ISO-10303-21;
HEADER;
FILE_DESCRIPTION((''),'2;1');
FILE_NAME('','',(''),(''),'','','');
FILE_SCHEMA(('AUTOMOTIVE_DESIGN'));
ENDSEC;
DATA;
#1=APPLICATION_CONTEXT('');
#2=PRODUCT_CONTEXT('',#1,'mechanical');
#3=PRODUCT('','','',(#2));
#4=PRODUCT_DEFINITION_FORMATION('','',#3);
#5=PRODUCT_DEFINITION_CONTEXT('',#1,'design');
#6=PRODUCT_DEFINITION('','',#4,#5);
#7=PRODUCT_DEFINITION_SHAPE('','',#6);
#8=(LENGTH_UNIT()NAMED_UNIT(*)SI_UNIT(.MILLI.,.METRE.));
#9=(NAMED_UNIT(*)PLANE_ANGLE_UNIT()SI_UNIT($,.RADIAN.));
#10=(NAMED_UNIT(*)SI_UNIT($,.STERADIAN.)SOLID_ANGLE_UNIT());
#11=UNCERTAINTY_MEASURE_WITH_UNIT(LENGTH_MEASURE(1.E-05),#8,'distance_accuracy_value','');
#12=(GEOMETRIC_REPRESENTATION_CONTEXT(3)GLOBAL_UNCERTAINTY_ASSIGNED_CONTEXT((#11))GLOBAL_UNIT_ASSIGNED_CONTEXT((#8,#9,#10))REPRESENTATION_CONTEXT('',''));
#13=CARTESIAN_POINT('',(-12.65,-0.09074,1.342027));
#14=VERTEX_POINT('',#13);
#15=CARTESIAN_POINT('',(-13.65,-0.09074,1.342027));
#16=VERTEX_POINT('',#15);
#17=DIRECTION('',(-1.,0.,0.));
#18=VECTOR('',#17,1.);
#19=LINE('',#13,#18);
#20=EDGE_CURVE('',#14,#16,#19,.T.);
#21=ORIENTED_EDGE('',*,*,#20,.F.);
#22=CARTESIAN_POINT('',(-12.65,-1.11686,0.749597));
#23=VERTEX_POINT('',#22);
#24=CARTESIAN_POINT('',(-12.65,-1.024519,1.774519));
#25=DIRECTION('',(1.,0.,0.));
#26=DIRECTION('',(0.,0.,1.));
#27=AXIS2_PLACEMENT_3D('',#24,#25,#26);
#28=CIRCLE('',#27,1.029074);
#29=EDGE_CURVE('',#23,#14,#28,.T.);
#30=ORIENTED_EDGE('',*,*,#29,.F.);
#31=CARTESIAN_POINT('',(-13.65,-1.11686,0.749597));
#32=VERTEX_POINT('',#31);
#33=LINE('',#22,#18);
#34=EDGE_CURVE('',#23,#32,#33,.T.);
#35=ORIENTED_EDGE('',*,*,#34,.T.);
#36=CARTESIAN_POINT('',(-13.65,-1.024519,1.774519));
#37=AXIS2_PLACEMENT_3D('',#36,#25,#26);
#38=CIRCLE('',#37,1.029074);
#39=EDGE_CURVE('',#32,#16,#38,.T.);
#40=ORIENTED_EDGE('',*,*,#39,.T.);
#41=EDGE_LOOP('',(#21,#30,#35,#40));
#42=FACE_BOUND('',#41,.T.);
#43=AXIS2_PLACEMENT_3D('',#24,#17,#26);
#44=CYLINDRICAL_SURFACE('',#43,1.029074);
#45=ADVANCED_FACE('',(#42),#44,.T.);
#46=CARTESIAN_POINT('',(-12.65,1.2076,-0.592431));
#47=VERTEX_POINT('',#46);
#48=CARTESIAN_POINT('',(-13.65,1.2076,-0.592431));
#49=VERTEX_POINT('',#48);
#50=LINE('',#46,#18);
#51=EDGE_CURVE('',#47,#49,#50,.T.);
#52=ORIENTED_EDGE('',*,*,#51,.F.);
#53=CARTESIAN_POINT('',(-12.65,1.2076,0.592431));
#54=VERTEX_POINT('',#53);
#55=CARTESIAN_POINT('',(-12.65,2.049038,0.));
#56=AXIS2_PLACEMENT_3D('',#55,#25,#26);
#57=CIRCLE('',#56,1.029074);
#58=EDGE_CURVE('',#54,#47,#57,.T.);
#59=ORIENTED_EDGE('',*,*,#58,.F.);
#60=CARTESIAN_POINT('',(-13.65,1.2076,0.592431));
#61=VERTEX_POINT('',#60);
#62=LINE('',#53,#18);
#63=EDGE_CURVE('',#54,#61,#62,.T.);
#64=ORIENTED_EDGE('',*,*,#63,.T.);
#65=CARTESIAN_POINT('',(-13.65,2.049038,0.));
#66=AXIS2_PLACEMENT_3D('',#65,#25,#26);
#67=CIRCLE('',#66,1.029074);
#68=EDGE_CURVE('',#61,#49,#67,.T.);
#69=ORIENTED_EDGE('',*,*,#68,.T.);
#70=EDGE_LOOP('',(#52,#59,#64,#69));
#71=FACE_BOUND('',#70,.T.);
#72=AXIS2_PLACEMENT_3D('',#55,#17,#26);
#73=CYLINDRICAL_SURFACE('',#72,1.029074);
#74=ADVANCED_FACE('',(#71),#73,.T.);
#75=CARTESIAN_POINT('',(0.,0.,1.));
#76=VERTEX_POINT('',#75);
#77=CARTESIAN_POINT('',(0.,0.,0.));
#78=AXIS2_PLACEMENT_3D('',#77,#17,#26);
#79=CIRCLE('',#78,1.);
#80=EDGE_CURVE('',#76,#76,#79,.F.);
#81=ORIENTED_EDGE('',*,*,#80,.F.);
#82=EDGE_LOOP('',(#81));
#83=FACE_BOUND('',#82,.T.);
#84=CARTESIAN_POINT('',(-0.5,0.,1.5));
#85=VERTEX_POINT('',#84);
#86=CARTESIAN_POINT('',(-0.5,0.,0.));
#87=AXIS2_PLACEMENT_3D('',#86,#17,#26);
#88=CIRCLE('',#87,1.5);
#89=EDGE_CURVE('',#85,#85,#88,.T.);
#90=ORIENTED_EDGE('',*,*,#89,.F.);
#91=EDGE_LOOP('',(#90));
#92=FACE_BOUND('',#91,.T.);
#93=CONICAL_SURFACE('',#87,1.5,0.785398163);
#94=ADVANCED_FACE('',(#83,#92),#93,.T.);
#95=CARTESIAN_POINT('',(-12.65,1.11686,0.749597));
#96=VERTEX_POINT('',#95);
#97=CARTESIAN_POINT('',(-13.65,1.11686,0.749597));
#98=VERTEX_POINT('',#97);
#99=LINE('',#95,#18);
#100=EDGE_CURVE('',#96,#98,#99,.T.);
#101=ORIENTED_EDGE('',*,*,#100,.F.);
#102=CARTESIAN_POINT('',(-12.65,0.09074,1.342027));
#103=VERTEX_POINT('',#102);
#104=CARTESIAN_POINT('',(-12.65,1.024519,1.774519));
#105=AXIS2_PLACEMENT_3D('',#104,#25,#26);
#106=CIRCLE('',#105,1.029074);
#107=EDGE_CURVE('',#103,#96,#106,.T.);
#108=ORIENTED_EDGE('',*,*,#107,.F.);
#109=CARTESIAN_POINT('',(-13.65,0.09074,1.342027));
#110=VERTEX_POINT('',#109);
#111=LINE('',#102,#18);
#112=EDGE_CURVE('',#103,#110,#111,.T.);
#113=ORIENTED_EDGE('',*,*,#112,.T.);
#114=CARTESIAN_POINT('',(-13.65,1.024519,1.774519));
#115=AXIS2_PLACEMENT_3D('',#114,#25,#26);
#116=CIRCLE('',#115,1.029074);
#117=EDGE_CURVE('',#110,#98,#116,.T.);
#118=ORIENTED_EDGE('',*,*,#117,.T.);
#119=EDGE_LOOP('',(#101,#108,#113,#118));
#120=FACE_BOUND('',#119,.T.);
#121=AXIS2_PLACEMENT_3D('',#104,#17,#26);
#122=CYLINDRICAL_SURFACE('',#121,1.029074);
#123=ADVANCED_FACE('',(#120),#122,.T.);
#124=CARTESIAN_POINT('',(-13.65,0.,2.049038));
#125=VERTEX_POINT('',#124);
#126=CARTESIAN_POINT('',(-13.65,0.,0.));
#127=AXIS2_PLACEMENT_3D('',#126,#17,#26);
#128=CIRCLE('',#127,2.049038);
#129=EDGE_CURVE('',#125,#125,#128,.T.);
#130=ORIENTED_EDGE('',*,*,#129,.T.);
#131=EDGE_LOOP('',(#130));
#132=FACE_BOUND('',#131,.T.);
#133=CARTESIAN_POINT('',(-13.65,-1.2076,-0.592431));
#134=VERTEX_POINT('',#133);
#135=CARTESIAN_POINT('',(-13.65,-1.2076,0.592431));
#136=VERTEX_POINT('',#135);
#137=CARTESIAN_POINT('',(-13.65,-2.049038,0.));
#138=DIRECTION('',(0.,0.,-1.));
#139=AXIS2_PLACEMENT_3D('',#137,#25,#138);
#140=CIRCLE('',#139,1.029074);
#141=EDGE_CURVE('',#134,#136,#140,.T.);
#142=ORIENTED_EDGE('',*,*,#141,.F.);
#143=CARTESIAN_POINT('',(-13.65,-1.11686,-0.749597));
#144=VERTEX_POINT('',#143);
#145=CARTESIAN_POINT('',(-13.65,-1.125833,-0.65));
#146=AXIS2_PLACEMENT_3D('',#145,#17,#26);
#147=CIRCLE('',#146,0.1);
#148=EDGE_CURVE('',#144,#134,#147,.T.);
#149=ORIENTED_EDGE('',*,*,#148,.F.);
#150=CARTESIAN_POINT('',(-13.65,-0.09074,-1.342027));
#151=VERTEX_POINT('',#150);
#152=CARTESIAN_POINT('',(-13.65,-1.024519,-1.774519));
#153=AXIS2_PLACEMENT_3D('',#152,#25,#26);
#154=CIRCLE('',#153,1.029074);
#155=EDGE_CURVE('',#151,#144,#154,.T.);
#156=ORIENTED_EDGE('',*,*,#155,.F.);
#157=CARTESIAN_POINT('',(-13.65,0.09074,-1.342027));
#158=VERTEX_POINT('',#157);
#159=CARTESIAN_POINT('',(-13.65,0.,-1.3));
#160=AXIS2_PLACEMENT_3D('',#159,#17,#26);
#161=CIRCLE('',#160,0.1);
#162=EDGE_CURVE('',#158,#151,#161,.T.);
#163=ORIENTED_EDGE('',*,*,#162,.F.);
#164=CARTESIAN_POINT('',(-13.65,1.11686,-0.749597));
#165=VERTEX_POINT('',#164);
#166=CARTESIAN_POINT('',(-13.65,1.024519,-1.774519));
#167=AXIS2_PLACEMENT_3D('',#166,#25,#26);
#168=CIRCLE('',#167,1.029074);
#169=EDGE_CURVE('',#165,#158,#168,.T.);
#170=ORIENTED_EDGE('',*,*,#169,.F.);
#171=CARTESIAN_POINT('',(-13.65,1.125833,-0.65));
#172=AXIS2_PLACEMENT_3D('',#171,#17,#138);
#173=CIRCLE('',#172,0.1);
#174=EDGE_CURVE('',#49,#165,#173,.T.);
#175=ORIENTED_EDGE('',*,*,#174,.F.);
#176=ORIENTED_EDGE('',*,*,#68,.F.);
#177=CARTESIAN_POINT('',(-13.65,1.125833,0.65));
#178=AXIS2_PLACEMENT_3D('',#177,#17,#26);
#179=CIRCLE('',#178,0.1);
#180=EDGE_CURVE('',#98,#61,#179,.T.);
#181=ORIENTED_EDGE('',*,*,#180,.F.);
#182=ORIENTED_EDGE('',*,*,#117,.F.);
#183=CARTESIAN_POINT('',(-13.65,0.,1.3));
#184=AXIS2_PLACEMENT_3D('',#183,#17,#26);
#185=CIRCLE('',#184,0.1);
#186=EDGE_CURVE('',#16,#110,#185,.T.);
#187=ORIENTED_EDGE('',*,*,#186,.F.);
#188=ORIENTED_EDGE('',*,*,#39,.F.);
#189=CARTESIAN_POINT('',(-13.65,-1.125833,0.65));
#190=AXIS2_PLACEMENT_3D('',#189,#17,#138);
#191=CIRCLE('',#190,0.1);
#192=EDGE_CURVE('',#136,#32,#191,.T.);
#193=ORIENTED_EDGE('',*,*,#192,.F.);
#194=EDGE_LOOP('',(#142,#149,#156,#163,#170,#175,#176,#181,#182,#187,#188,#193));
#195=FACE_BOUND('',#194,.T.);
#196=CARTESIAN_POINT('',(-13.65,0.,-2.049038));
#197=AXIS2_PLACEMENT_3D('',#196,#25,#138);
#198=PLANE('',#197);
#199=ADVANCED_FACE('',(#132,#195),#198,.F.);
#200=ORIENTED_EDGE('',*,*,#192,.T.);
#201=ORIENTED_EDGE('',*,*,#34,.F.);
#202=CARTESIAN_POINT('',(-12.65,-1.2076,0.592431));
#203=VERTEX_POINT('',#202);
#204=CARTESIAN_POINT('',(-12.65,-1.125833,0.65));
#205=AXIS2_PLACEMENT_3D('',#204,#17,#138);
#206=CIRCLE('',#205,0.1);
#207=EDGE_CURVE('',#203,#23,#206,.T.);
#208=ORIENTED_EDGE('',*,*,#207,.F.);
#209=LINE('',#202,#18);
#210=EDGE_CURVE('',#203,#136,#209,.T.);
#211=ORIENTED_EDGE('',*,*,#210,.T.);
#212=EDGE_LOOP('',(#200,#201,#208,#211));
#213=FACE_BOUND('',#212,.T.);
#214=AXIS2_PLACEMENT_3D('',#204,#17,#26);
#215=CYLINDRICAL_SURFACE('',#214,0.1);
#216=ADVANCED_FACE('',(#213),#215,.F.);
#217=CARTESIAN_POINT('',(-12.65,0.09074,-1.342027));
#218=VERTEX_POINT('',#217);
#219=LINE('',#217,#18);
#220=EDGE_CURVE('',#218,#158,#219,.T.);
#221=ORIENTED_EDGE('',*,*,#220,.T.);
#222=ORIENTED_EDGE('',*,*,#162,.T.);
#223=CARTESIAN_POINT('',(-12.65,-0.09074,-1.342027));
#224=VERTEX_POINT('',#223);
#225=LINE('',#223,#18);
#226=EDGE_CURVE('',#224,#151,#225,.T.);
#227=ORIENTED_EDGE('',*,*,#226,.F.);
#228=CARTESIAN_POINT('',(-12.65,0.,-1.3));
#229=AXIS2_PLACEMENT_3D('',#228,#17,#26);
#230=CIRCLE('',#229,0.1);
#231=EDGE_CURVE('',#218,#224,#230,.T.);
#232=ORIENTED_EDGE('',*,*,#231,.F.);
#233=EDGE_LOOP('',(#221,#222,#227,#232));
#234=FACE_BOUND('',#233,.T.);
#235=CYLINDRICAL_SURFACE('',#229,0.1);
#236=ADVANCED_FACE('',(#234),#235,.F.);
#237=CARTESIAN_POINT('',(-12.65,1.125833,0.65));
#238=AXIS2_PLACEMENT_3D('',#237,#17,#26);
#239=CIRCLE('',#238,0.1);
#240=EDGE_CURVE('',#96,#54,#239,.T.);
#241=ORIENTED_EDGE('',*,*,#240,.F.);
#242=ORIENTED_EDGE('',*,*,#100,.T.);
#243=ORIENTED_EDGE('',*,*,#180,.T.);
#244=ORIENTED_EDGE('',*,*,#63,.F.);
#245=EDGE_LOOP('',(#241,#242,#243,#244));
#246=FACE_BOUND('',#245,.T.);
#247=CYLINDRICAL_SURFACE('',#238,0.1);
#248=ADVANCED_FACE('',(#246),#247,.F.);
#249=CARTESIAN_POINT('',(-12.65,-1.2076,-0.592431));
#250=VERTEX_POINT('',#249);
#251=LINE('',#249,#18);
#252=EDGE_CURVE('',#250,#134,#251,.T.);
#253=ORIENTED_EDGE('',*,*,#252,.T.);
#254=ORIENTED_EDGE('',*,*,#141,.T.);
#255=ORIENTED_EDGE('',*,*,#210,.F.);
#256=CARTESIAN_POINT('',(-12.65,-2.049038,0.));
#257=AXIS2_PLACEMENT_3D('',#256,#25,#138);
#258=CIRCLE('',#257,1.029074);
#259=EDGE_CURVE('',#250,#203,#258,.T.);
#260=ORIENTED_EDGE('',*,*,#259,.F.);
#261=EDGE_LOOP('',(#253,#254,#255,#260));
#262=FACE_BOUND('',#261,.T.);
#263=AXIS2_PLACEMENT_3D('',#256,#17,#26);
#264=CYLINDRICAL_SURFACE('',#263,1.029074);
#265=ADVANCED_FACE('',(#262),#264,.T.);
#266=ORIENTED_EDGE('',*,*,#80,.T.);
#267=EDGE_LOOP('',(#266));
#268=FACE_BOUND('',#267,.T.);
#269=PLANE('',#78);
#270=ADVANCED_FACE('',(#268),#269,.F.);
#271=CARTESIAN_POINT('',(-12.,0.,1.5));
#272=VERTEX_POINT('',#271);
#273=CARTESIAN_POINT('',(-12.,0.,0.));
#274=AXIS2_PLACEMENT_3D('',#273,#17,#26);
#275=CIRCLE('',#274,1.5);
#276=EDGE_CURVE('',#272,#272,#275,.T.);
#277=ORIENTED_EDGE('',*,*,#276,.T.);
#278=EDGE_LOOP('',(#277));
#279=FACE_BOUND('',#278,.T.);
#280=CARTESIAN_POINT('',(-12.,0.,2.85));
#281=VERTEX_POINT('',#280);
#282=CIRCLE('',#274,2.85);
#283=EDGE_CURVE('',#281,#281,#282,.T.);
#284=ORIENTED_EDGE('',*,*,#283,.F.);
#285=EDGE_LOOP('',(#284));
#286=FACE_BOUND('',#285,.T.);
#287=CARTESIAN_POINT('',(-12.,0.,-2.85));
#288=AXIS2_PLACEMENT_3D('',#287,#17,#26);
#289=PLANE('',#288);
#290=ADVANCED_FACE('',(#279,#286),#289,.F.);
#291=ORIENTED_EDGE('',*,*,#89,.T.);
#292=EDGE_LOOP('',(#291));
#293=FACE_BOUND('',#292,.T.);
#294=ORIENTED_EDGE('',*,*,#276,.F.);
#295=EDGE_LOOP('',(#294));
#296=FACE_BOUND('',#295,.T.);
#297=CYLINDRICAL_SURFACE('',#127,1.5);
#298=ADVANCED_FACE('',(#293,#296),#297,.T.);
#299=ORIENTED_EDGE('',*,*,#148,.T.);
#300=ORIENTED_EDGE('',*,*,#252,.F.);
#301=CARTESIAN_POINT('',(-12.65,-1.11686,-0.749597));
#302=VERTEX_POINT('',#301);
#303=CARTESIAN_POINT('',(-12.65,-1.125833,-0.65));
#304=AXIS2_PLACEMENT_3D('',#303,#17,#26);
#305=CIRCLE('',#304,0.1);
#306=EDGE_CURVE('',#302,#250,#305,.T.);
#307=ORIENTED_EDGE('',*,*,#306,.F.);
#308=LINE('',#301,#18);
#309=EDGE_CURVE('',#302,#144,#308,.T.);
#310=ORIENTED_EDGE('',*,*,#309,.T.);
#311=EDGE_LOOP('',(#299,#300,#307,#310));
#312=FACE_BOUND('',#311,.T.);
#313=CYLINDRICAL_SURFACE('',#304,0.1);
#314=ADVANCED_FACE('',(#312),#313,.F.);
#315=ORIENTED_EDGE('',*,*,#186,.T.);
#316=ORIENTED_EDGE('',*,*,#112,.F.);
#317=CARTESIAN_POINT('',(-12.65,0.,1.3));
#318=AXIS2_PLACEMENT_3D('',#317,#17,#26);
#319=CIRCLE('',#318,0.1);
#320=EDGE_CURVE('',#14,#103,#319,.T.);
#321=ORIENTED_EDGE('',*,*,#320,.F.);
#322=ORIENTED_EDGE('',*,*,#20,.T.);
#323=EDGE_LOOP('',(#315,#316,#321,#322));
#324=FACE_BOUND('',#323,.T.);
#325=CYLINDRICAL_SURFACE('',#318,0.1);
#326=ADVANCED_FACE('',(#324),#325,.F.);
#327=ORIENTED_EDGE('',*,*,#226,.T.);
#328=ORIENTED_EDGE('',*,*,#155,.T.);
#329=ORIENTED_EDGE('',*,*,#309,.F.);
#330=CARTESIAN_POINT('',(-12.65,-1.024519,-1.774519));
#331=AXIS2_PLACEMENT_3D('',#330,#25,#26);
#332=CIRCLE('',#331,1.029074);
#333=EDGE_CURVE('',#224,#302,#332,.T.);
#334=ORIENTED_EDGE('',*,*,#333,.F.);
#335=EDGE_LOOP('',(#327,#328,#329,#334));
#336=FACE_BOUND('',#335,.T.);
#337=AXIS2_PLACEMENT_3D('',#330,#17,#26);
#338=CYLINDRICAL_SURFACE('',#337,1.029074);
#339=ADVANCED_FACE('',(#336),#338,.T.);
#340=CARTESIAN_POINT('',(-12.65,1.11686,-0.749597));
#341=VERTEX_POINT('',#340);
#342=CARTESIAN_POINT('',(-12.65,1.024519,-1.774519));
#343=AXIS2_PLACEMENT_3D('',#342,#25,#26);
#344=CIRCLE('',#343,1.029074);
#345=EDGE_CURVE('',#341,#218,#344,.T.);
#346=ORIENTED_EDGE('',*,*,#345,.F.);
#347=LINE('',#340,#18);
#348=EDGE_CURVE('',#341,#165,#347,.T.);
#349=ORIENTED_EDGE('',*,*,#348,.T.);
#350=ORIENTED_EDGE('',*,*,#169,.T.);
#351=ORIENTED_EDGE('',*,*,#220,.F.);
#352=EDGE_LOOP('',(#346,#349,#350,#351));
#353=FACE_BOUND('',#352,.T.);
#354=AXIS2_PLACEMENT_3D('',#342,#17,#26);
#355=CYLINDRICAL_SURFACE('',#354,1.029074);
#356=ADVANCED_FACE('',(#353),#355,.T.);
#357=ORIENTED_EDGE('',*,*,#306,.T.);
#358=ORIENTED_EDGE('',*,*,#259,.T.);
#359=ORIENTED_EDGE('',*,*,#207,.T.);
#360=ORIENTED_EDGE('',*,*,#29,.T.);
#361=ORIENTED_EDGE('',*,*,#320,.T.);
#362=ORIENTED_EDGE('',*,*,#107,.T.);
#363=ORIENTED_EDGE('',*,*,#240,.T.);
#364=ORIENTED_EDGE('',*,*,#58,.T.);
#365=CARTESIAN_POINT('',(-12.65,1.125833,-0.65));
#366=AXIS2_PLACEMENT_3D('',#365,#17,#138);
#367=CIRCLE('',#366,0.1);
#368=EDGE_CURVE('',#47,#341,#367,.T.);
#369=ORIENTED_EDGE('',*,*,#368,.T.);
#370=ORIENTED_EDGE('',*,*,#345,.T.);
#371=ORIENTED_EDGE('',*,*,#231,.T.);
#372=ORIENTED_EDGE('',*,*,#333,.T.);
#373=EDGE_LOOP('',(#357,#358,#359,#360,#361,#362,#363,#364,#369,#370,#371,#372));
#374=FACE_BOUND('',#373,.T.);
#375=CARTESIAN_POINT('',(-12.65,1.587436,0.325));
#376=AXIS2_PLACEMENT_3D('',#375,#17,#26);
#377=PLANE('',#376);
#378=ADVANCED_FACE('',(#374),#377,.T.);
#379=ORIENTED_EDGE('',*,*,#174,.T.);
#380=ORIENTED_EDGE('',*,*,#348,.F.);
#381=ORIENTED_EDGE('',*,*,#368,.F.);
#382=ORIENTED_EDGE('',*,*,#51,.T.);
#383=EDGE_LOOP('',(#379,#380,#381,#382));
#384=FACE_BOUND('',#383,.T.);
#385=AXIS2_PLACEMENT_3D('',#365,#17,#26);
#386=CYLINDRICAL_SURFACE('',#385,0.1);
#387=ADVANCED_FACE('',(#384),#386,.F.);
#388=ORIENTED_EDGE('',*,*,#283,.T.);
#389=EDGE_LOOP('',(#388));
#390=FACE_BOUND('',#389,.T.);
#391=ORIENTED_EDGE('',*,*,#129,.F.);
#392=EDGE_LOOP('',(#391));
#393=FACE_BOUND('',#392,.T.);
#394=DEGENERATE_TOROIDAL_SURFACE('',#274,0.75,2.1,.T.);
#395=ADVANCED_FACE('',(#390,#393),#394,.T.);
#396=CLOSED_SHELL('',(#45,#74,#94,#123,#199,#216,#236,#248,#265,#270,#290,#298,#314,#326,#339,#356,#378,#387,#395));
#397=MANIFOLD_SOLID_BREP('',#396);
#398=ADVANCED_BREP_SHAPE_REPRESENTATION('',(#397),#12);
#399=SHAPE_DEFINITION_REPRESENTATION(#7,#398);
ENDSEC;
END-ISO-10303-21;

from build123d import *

# Parameters (mm, degrees)
CHAMFER1_SIZE      = 0.5
CUT_EXTRUDE1_DEPTH = 1


with BuildPart() as part:
    # Sketch2 → Revolve1 (revolve)
    with BuildSketch(Plane(origin=(0, 0, 0), x_dir=(1, 0, 0), z_dir=(0, 1, 0)), mode=Mode.PRIVATE) as revolve1_sk:
        with BuildLine():
            Line((0, 0), (0, 1.5))
            Line((0, 1.5), (-12, 1.5))
            Line((-12, 1.5), (-12, 2.85))
            ThreePointArc((-12, 2.85), (-12.917065968, 2.639177072), (-13.65, 2.049038106))
            Line((-13.65, 2.049038106), (-13.65, 0))
            Line((-13.65, 0), (0, 0))
        make_face()
    revolve(revolve1_sk.sketch.rotate(Axis((-13.65, 0, 0), (1, 0, 0)), 180), axis=Axis((-13.65, 0, 0), (1, 0, 0)))

    # Chamfer1
    chamfer1_edges = [part.edges().sort_by_distance(p)[0] for p in [
        (0, 0, -1.5),
    ]]
    chamfer(chamfer1_edges, length=CHAMFER1_SIZE)

    # Sketch4 → Cut-Extrude1 (cut)
    with BuildSketch(Plane.ZY.offset(13.65)):
        with BuildLine():
            ThreePointArc((-1.342027284, 0.090739778), (-0.883315009, 0.509982158), (-0.749596595, 1.116859832))
            ThreePointArc((-0.749596595, 1.116859832), (-0.7, 1.212435565), (-0.592430689, 1.20759961))
            ThreePointArc((-0.592430689, 1.20759961), (0, 1.019964317), (0.592430689, 1.20759961))
            ThreePointArc((0.592430689, 1.20759961), (0.7, 1.212435565), (0.749596595, 1.116859832))
            ThreePointArc((0.749596595, 1.116859832), (0.883315009, 0.509982158), (1.342027284, 0.090739778))
            ThreePointArc((1.342027284, 0.090739778), (1.4, 0), (1.342027284, -0.090739778))
            ThreePointArc((1.342027284, -0.090739778), (0.883315009, -0.509982158), (0.749596595, -1.116859832))
            ThreePointArc((0.749596595, -1.116859832), (0.7, -1.212435565), (0.592430689, -1.20759961))
            ThreePointArc((0.592430689, -1.20759961), (0, -1.019964317), (-0.592430689, -1.20759961))
            ThreePointArc((-0.592430689, -1.20759961), (-0.7, -1.212435565), (-0.749596595, -1.116859832))
            ThreePointArc((-0.749596595, -1.116859832), (-0.883315009, -0.509982158), (-1.342027284, -0.090739778))
            ThreePointArc((-1.342027284, -0.090739778), (-1.4, 0), (-1.342027284, 0.090739778))
        make_face()
    extrude(amount=-CUT_EXTRUDE1_DEPTH, mode=Mode.SUBTRACT)


solid = part.part
